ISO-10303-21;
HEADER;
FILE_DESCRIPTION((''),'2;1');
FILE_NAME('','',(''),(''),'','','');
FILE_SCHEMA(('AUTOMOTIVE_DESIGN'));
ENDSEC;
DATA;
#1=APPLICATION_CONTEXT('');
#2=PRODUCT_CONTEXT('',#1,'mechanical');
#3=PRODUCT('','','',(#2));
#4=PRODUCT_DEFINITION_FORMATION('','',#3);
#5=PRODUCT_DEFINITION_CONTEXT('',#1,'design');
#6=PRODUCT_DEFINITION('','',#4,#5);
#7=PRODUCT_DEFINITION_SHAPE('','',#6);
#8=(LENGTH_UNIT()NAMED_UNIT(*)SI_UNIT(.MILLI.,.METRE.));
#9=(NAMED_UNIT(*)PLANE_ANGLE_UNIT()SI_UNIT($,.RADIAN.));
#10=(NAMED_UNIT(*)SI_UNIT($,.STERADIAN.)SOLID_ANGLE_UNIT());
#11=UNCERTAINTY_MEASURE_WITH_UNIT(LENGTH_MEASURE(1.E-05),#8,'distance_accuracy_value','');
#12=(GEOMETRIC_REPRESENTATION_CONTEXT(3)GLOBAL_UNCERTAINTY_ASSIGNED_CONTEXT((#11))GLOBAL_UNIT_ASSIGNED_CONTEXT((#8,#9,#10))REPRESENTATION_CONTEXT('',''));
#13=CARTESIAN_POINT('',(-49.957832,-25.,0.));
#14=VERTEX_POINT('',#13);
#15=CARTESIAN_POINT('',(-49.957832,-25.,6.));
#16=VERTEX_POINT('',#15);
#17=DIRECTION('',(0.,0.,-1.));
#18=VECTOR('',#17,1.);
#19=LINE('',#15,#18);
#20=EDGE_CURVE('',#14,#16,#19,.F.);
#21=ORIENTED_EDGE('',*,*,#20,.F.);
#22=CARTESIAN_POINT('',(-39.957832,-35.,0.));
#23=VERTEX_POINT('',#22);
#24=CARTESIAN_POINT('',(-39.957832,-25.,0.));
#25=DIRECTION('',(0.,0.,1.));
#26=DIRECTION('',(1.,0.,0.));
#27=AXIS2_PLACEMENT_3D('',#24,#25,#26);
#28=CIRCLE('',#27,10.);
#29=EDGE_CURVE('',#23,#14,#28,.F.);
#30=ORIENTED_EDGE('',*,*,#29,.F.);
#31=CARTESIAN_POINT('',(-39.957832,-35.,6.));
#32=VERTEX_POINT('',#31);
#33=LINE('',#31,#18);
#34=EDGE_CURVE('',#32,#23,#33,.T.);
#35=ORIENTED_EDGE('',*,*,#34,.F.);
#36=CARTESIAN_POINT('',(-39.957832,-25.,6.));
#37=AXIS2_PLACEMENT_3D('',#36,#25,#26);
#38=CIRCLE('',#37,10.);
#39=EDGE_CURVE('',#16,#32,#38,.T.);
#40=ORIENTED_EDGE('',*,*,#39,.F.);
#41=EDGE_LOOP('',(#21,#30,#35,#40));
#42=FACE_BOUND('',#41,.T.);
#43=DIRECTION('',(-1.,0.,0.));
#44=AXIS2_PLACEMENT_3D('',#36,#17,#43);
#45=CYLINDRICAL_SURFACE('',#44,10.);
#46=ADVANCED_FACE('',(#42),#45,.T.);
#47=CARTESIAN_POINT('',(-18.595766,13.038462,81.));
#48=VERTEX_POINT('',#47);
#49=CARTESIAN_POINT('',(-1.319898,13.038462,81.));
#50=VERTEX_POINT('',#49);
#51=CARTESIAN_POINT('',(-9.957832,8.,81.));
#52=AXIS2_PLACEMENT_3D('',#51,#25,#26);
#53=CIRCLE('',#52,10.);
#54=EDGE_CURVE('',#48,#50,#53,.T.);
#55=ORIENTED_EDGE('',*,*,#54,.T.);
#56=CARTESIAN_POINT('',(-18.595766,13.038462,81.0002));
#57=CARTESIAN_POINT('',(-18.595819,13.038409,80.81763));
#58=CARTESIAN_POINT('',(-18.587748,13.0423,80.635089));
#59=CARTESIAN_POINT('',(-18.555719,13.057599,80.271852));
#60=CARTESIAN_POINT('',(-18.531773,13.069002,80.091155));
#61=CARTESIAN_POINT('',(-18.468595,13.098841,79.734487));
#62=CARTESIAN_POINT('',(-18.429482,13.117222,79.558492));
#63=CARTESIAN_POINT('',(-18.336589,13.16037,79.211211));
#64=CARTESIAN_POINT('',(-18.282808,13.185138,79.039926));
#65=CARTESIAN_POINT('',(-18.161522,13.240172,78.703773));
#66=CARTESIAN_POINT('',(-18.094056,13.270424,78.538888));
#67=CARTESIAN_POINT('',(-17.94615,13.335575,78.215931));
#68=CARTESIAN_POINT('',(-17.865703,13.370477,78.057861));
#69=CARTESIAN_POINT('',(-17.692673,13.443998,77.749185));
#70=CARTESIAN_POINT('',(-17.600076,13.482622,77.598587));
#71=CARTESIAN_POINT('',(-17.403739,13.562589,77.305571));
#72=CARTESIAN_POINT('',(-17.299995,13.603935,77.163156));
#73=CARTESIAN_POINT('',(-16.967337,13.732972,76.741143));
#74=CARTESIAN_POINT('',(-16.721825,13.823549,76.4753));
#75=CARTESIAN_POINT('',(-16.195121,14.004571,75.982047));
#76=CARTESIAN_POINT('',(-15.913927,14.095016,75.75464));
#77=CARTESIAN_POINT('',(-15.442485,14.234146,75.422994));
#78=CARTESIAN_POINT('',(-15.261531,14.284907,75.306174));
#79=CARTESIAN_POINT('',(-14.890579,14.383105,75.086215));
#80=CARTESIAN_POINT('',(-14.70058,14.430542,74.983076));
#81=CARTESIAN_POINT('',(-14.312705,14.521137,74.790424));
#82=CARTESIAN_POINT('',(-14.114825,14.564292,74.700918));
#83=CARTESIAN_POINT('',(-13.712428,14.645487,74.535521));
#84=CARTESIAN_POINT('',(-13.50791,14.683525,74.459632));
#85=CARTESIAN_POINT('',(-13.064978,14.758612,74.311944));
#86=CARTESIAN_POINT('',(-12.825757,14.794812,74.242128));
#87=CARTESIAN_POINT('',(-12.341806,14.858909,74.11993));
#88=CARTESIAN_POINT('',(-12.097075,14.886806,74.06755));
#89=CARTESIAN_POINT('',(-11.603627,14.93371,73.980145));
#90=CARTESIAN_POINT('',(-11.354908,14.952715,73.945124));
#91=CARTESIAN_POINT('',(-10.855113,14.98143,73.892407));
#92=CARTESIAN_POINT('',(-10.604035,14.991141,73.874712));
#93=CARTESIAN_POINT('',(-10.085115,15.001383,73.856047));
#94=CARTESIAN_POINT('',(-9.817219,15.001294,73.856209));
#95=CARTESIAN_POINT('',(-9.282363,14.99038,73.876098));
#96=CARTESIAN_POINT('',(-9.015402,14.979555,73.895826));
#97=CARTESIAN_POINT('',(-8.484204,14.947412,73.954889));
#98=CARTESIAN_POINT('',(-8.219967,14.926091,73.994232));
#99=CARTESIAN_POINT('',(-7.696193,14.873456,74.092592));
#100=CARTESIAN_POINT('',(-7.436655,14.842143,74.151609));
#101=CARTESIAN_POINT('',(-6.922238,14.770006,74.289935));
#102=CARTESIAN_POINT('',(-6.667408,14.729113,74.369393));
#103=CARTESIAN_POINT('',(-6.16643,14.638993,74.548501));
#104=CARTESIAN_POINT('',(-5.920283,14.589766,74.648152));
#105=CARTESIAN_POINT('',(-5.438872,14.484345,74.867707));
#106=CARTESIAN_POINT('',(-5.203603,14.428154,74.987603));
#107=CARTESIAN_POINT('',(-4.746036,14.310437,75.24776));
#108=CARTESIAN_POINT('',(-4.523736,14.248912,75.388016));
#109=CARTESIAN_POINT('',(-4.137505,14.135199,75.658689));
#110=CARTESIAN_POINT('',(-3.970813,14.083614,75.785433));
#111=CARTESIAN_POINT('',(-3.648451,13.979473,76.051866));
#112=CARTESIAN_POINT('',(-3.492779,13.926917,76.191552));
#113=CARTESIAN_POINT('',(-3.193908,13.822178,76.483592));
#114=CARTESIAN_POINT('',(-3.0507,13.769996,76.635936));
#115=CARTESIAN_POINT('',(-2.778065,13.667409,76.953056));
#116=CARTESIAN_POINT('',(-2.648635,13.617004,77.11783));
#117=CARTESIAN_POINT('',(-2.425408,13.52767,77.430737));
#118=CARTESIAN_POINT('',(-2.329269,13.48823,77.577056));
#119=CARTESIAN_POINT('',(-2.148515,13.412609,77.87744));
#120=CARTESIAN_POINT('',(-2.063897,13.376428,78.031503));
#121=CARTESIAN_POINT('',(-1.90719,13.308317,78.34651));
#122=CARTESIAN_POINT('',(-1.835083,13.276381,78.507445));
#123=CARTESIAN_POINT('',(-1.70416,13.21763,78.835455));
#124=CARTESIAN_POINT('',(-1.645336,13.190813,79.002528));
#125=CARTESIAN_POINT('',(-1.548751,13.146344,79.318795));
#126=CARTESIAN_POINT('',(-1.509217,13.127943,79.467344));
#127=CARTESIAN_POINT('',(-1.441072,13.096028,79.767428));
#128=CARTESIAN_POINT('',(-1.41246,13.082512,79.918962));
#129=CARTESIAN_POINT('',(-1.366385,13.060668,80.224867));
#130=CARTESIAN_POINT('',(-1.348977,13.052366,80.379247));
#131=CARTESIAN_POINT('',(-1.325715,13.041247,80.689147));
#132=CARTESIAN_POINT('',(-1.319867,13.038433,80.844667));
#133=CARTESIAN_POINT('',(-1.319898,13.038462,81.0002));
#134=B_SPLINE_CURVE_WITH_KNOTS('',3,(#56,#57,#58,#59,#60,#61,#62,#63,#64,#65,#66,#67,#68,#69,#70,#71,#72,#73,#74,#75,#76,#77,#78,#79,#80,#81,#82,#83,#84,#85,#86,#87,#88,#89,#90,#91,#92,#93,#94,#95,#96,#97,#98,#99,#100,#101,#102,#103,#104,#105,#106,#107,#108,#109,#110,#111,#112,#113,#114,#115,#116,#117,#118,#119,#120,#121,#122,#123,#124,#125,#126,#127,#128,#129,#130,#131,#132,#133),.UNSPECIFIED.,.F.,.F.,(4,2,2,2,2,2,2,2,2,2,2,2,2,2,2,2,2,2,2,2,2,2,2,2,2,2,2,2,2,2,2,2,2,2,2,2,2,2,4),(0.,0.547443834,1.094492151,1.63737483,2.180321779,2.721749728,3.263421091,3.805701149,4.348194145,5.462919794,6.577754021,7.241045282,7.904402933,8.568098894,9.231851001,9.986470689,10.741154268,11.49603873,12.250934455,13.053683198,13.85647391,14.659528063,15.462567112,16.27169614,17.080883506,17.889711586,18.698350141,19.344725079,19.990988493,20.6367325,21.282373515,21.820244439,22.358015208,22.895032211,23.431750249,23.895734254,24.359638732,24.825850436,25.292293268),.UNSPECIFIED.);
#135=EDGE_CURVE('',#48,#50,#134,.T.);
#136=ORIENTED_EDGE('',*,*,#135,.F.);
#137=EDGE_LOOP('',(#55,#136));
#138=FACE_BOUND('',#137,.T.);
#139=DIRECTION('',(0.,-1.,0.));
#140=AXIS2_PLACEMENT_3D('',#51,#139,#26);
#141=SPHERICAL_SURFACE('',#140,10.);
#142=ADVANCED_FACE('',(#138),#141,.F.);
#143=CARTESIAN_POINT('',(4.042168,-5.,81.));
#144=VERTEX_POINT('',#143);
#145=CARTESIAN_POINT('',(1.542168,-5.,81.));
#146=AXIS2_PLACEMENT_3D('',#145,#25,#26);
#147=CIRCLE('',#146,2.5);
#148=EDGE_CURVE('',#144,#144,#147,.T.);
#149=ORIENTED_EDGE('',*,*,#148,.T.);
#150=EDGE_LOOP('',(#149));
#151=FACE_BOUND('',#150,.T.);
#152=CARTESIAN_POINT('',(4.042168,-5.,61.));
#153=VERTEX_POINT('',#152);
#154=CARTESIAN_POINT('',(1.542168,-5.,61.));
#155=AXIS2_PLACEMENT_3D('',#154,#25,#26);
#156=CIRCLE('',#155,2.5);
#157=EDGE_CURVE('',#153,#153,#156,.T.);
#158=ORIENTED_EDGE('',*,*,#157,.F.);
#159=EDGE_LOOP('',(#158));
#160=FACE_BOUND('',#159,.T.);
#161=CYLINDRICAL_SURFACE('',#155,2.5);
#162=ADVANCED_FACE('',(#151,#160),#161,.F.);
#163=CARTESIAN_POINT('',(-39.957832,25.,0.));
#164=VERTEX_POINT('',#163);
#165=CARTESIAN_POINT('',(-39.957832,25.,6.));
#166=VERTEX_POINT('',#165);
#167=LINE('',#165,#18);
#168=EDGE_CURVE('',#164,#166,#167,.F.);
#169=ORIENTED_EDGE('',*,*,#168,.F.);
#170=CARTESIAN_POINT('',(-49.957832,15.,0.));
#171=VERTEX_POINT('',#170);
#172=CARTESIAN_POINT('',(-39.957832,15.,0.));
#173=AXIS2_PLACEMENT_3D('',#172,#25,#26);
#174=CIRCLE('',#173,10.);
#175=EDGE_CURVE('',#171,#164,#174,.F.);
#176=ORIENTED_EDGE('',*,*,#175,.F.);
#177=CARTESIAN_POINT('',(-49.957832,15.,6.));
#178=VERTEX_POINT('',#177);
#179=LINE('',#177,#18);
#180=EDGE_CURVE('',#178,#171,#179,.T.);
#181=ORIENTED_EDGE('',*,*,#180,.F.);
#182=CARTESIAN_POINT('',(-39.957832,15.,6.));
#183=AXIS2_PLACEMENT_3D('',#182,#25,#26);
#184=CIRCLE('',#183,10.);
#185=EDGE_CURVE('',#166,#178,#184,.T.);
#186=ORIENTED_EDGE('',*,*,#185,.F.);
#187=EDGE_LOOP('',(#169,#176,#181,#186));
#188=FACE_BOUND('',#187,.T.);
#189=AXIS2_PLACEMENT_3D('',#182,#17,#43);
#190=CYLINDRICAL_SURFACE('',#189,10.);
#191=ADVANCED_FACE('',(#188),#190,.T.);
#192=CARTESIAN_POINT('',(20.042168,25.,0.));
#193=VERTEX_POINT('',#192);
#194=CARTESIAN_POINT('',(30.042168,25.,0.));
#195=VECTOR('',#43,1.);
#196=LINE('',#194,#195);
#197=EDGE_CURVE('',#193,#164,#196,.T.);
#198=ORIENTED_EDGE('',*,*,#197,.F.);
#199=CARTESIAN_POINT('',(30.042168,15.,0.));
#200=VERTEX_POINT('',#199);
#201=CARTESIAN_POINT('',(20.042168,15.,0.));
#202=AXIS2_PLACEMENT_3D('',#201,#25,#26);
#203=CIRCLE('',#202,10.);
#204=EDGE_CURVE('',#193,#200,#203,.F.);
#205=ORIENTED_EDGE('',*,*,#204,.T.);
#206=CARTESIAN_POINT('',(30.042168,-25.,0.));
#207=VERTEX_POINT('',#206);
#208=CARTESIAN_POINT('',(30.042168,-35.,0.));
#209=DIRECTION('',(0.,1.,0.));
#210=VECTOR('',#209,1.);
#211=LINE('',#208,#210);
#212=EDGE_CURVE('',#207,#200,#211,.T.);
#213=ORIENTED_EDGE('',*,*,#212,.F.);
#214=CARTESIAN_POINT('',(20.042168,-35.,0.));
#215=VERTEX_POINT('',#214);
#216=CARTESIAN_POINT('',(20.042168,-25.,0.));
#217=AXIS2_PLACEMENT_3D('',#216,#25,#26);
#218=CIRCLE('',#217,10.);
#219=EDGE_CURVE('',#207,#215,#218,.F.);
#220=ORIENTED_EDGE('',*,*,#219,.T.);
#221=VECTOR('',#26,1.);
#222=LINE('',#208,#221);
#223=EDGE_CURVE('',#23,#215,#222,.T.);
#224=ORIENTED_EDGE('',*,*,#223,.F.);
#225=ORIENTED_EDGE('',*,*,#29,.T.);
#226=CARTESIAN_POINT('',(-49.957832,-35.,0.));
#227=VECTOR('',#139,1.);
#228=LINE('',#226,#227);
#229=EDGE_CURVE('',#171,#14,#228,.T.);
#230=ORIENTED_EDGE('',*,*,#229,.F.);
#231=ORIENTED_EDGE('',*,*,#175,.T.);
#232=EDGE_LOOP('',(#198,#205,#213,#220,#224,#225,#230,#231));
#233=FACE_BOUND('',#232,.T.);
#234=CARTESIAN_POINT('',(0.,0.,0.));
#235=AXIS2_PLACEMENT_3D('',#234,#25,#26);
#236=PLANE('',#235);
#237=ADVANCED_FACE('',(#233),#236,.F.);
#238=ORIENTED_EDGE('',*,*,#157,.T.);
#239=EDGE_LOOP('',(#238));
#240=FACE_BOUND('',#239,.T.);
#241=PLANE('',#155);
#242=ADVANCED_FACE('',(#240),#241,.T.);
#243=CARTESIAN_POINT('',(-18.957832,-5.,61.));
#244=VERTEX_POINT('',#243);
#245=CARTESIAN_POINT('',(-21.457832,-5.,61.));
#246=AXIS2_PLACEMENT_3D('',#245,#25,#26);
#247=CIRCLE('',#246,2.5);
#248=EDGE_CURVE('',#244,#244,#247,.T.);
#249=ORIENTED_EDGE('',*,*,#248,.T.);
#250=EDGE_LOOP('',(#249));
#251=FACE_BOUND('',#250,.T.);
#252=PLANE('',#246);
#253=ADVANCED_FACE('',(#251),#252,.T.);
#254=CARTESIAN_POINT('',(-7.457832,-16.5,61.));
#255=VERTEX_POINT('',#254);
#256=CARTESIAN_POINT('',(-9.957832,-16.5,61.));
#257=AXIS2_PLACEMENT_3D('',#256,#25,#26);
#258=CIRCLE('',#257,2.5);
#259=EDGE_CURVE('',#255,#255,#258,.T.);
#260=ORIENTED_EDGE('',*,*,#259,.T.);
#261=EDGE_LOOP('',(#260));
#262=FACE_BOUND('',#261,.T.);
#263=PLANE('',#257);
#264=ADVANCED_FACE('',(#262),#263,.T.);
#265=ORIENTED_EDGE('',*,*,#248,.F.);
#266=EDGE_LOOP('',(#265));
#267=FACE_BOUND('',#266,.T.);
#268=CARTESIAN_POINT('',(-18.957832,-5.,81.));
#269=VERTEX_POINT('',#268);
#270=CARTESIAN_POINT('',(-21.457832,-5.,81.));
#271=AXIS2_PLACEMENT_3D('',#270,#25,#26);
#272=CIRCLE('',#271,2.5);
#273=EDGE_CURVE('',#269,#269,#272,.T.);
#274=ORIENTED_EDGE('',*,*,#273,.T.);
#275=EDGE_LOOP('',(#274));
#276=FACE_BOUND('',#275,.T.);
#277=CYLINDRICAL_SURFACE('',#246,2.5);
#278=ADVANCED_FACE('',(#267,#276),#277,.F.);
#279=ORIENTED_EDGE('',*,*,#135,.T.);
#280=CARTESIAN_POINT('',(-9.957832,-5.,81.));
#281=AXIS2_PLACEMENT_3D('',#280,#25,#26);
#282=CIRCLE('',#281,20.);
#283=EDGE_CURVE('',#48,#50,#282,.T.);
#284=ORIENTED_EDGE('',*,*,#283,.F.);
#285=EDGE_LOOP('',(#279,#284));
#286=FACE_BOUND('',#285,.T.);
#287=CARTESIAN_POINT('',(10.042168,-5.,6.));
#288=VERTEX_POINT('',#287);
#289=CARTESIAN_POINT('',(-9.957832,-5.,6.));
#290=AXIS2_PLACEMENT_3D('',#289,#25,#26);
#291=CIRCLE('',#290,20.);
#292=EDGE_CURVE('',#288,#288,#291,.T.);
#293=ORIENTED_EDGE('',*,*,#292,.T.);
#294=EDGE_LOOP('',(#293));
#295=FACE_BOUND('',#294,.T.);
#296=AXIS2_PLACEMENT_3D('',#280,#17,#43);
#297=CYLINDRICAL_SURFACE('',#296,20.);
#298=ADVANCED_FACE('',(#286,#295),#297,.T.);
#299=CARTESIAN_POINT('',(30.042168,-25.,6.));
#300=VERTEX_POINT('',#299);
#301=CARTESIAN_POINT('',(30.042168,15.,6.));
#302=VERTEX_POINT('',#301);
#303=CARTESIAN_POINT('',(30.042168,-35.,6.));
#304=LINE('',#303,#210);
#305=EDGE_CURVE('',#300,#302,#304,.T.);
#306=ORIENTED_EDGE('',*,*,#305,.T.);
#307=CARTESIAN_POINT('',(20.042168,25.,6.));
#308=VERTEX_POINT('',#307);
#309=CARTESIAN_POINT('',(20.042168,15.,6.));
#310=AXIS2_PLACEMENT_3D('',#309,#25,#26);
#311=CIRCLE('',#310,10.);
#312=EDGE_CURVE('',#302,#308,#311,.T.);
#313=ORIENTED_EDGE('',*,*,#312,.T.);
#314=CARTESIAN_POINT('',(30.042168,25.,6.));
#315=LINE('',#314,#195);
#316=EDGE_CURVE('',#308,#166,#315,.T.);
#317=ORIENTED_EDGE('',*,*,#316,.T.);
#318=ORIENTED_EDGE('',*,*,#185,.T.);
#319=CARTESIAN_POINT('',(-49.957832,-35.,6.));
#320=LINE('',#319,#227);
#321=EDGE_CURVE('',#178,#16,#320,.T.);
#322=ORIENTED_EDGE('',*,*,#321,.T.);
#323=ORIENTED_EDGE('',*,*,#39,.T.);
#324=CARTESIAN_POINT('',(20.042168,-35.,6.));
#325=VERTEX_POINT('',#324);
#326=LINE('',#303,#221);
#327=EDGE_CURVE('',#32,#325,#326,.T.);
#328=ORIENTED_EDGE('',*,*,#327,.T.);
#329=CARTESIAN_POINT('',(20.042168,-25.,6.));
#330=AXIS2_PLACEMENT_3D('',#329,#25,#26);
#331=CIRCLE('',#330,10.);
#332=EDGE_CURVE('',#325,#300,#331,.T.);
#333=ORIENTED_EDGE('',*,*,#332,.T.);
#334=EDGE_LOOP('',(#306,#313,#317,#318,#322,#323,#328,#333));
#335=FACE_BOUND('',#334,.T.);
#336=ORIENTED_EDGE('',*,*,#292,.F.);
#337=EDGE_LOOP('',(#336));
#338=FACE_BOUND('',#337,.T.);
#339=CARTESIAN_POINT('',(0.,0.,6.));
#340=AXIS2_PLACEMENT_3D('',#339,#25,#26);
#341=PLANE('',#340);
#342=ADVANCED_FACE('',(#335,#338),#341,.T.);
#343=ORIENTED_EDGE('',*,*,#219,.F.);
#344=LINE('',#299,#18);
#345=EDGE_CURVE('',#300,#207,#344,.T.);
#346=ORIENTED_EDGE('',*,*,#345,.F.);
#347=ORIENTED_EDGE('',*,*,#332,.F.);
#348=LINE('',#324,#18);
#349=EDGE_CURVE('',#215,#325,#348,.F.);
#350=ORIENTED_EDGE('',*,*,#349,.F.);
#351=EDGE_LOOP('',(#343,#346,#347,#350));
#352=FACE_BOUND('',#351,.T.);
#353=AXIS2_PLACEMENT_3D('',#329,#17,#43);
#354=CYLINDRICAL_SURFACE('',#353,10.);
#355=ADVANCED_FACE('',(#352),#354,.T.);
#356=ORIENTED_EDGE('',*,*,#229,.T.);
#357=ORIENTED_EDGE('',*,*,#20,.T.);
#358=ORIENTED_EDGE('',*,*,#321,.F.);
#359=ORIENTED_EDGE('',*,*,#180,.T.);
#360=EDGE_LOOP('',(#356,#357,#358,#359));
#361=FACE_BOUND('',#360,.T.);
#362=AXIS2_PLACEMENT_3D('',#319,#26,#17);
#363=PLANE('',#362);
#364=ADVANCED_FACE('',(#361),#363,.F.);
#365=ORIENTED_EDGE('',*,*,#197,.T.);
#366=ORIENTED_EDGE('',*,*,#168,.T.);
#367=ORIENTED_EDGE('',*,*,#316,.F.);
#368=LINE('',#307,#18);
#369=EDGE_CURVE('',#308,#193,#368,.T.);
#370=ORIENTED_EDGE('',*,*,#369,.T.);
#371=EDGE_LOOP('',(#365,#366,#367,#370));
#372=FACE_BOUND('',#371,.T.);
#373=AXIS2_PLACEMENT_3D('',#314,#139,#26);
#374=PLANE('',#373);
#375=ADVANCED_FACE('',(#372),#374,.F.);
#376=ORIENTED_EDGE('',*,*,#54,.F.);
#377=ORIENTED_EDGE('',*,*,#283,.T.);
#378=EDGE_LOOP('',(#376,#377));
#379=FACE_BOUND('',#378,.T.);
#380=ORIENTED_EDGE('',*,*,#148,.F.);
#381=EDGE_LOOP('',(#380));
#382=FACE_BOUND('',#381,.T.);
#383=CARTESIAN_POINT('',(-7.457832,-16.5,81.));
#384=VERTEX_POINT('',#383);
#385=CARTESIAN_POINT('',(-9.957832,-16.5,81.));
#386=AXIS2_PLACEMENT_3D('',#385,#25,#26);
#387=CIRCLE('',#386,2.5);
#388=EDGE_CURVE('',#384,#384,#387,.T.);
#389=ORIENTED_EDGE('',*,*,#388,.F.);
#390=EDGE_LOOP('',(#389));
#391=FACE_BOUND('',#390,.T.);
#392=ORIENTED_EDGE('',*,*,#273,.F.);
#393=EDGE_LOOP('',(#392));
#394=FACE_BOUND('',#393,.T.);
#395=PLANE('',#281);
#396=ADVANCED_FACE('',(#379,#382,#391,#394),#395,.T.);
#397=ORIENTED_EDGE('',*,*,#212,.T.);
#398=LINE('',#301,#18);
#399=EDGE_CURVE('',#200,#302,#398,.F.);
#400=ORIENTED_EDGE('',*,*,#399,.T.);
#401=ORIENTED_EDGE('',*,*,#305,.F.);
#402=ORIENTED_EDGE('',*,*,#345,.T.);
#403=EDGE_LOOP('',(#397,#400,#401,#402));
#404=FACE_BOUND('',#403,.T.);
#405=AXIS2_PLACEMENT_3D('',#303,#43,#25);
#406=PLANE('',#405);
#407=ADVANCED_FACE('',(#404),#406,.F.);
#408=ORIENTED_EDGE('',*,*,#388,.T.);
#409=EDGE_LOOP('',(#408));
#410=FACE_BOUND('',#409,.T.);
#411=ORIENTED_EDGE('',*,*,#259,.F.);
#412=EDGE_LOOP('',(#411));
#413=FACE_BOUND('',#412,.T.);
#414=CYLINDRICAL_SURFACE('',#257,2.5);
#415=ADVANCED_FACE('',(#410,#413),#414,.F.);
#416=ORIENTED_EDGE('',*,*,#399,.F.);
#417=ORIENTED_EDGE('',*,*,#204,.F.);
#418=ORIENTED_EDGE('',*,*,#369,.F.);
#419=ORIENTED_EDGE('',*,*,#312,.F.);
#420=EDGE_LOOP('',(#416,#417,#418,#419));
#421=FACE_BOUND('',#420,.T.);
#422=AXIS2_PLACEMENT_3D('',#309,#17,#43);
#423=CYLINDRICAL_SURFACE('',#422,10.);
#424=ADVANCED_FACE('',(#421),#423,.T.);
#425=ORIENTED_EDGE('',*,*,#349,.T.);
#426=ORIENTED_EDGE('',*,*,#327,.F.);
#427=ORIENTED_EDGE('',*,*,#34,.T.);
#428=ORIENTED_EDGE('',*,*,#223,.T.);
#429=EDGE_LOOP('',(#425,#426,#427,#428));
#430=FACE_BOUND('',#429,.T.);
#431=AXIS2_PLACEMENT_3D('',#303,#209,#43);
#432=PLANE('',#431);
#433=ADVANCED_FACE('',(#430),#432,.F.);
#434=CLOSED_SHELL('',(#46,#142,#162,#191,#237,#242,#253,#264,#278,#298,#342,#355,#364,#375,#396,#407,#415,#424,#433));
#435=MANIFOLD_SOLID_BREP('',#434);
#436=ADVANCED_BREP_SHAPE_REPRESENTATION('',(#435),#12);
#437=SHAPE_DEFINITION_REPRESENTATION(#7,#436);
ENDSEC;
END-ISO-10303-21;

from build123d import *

# Parameters (mm, degrees)
SKETCH_1_W          = 80
SKETCH_1_H          = 60
EXTRUDE_1_DEPTH     = 6
SKETCH_2_R          = 20
EXTRUDE_2_DEPTH     = 75
SKETCH_7_R          = 2.5
CUT_EXTRUDE_2_DEPTH = 20
FILLET_1_R          = 10
CUT_REVOLVE_1_ANGLE = 180


with BuildPart() as part:
    # 草图1 → 凸台-拉伸1 (new body)
    with BuildSketch(Plane.XY):
        with Locations((-9.9578316, -5)):
            Rectangle(SKETCH_1_W, SKETCH_1_H)
    extrude(amount=EXTRUDE_1_DEPTH)

    # 草图2 → 凸台-拉伸2 (add)
    with BuildSketch(Plane.XY.offset(6)):
        with Locations((-9.9578316, -5)):
            Circle(SKETCH_2_R)
    extrude(amount=EXTRUDE_2_DEPTH)

    # 草图7 → 切除-拉伸2 (cut)
    with BuildSketch(Plane.XY.offset(81)):
        with Locations((-9.9578316, -16.5)):
            Circle(SKETCH_7_R)
        with Locations((-21.4578316, -5)):
            Circle(SKETCH_7_R)
        with Locations((1.5421684, -5)):
            Circle(SKETCH_7_R)
    extrude(amount=-CUT_EXTRUDE_2_DEPTH, mode=Mode.SUBTRACT)

    # 圆角1
    fillet_1_edges = [part.edges().sort_by_distance(p)[0] for p in [
        (30.0421684, -35, 3),
        (-49.9578316, -35, 3),
        (-49.9578316, 25, 3),
        (30.0421684, 25, 3),
    ]]
    fillet(fillet_1_edges, radius=FILLET_1_R)

    # 草图4 → 切除-旋转1 (revolve, cut)
    with BuildSketch(Plane.XY.offset(81)):
        with BuildLine():
            Line((-9.9578316, -2), (-9.9578316, 18))
            ThreePointArc((-9.9578316, 18), (0.0421684, 8), (-9.9578316, -2))
        make_face()
    revolve(axis=Axis((-9.9578316, -2, 81), (0, 1, 0)), revolution_arc=CUT_REVOLVE_1_ANGLE, mode=Mode.SUBTRACT)


solid = part.part
